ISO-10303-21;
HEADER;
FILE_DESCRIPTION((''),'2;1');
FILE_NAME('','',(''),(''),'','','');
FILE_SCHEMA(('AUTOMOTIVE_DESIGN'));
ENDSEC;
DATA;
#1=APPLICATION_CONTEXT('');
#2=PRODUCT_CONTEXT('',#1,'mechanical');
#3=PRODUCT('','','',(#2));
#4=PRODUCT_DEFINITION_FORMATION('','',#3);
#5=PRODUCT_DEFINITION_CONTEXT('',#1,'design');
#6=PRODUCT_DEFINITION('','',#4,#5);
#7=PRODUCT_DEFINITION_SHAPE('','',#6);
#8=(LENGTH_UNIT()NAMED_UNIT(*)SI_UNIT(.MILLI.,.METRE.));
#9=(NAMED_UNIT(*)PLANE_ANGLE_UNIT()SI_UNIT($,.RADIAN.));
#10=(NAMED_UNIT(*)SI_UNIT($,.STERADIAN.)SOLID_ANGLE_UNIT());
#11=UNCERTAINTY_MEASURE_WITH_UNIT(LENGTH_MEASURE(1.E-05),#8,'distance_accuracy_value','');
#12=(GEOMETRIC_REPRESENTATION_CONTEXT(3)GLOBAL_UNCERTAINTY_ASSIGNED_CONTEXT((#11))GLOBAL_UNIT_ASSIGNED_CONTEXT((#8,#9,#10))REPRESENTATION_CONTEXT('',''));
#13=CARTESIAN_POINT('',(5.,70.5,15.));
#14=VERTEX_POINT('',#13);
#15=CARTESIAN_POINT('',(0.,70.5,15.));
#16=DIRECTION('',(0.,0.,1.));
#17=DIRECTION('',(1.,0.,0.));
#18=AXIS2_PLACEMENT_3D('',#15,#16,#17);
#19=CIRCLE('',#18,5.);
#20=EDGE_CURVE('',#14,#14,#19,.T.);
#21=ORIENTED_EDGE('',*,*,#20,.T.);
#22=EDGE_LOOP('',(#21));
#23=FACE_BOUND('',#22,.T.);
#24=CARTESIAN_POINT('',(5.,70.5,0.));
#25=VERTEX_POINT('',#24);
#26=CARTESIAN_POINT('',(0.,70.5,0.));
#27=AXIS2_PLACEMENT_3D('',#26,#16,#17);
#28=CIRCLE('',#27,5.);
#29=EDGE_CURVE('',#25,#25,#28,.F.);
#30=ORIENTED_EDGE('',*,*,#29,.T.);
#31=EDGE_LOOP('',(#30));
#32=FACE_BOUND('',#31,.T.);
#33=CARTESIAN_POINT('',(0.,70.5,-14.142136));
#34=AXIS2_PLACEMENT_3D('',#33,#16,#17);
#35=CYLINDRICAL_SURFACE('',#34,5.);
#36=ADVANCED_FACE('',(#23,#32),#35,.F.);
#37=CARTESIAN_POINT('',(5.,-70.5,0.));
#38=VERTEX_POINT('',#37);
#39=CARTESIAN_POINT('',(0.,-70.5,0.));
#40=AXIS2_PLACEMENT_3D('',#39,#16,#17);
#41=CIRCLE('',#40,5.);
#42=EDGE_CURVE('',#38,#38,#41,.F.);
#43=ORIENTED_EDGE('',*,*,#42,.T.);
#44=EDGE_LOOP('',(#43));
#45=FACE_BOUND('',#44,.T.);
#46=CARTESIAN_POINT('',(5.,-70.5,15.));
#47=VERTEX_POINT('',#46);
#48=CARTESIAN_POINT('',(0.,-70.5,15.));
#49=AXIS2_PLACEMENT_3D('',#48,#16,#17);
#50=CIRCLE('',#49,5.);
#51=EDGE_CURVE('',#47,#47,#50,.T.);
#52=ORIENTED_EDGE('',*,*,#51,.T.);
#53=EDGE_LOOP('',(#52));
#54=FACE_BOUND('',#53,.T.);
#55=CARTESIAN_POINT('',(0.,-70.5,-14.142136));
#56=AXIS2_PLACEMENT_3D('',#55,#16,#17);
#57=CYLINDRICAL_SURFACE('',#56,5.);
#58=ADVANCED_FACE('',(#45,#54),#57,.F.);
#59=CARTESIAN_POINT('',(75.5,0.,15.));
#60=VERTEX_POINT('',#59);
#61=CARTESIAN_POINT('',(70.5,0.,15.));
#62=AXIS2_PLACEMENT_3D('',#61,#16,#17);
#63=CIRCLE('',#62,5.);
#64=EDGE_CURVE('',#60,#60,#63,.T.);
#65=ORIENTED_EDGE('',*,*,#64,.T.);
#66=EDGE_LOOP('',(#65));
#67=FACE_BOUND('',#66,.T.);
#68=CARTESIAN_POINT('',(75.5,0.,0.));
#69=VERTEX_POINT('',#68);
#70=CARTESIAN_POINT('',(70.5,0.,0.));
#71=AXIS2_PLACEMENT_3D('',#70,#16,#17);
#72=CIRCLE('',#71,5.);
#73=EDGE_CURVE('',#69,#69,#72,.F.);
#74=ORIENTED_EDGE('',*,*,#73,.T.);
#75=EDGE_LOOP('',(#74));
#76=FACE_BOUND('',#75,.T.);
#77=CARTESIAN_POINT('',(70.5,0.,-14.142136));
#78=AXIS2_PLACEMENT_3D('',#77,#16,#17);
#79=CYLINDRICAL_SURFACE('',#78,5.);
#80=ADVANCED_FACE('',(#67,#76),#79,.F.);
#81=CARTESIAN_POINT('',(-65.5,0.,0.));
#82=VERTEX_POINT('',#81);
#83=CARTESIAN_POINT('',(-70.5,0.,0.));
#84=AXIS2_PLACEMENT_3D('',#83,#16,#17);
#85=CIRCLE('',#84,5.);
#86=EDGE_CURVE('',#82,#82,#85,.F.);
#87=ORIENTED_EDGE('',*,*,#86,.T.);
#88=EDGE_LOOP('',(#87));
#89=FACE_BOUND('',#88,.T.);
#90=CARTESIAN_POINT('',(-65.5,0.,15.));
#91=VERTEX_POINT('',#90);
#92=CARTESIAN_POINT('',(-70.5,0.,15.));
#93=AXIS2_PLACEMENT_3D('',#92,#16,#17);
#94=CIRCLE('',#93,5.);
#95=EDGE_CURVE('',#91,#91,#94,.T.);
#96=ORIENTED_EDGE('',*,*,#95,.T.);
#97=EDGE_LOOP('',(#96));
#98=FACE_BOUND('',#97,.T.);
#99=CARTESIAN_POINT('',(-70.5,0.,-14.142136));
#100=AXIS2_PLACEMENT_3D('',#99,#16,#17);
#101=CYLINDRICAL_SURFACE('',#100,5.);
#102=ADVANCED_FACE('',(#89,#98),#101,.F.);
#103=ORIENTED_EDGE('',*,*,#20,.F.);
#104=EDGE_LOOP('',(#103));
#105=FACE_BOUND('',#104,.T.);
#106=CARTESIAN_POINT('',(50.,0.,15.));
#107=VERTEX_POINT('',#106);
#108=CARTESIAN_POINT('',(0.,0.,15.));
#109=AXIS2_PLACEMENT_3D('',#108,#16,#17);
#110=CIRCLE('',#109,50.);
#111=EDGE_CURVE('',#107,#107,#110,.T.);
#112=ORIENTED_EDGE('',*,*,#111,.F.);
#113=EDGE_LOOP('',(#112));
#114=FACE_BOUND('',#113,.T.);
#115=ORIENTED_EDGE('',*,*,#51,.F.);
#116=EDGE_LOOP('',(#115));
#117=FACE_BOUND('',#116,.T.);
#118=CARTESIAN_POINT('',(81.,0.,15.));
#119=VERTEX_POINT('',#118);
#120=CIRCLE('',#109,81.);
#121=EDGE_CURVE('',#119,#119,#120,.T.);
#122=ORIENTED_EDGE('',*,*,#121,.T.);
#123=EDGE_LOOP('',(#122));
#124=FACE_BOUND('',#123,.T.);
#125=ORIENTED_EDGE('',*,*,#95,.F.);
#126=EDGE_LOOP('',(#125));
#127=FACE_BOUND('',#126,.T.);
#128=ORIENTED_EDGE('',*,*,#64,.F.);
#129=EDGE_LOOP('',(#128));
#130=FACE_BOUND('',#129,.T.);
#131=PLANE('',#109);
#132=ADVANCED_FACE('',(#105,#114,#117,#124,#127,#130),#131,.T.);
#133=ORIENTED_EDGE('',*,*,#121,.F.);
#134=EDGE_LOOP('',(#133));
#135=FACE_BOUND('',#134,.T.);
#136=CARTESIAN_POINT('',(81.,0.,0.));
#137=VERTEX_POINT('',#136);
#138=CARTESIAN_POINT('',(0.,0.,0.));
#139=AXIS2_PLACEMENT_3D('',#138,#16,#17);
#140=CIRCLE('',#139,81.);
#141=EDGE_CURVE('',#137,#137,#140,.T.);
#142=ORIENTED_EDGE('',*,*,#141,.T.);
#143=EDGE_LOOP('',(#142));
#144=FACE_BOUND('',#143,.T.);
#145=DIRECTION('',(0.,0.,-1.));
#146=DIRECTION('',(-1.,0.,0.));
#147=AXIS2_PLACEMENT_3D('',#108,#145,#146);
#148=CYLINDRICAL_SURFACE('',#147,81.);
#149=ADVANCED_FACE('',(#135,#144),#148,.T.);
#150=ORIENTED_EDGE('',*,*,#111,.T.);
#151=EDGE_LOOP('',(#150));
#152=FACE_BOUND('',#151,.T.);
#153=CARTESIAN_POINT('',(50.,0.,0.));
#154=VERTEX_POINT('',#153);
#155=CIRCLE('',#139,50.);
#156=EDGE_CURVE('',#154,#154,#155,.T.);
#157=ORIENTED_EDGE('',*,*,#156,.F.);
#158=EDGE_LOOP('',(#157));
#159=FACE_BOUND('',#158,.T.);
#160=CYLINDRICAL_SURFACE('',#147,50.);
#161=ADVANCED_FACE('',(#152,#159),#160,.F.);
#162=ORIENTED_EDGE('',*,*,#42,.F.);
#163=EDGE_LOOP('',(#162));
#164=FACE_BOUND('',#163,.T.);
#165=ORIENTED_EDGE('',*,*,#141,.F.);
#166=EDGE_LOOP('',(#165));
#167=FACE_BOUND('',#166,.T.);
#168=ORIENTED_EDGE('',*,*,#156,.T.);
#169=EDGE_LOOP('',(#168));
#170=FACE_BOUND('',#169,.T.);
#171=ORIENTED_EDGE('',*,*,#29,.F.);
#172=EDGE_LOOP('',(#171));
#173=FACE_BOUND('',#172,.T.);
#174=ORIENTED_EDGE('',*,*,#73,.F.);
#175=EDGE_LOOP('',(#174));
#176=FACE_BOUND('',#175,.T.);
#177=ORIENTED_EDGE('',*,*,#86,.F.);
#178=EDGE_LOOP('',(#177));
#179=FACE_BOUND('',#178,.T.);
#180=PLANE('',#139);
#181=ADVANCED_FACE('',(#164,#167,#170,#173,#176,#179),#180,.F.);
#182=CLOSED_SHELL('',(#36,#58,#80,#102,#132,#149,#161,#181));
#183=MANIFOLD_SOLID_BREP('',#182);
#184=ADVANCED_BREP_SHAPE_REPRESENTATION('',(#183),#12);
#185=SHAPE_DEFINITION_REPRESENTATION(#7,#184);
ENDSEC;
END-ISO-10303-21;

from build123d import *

# Parameters (mm, degrees)
CROQUIS1_R              = 81
CROQUIS1_R_2            = 50
SALIENTE_EXTRUIR1_DEPTH = 15
CROQUIS2_R              = 5
CORTAR_EXTRUIR1_DEPTH   = 15


with BuildPart() as part:
    # Croquis1 → Saliente-Extruir1 (new body)
    with BuildSketch(Plane.XY):
        Circle(CROQUIS1_R)
        Circle(CROQUIS1_R_2, mode=Mode.SUBTRACT)
    extrude(amount=SALIENTE_EXTRUIR1_DEPTH)

    # Croquis2 → Cortar-Extruir1 (cut)
    with BuildSketch(Plane.XY.offset(15)):
        with Locations((0, 70.5)):
            Circle(CROQUIS2_R)
        with Locations((-70.5, 0)):
            Circle(CROQUIS2_R)
        with Locations((70.5, 0)):
            Circle(CROQUIS2_R)
        with Locations((0, -70.5)):
            Circle(CROQUIS2_R)
    extrude(amount=-CORTAR_EXTRUIR1_DEPTH, mode=Mode.SUBTRACT)


solid = part.part
